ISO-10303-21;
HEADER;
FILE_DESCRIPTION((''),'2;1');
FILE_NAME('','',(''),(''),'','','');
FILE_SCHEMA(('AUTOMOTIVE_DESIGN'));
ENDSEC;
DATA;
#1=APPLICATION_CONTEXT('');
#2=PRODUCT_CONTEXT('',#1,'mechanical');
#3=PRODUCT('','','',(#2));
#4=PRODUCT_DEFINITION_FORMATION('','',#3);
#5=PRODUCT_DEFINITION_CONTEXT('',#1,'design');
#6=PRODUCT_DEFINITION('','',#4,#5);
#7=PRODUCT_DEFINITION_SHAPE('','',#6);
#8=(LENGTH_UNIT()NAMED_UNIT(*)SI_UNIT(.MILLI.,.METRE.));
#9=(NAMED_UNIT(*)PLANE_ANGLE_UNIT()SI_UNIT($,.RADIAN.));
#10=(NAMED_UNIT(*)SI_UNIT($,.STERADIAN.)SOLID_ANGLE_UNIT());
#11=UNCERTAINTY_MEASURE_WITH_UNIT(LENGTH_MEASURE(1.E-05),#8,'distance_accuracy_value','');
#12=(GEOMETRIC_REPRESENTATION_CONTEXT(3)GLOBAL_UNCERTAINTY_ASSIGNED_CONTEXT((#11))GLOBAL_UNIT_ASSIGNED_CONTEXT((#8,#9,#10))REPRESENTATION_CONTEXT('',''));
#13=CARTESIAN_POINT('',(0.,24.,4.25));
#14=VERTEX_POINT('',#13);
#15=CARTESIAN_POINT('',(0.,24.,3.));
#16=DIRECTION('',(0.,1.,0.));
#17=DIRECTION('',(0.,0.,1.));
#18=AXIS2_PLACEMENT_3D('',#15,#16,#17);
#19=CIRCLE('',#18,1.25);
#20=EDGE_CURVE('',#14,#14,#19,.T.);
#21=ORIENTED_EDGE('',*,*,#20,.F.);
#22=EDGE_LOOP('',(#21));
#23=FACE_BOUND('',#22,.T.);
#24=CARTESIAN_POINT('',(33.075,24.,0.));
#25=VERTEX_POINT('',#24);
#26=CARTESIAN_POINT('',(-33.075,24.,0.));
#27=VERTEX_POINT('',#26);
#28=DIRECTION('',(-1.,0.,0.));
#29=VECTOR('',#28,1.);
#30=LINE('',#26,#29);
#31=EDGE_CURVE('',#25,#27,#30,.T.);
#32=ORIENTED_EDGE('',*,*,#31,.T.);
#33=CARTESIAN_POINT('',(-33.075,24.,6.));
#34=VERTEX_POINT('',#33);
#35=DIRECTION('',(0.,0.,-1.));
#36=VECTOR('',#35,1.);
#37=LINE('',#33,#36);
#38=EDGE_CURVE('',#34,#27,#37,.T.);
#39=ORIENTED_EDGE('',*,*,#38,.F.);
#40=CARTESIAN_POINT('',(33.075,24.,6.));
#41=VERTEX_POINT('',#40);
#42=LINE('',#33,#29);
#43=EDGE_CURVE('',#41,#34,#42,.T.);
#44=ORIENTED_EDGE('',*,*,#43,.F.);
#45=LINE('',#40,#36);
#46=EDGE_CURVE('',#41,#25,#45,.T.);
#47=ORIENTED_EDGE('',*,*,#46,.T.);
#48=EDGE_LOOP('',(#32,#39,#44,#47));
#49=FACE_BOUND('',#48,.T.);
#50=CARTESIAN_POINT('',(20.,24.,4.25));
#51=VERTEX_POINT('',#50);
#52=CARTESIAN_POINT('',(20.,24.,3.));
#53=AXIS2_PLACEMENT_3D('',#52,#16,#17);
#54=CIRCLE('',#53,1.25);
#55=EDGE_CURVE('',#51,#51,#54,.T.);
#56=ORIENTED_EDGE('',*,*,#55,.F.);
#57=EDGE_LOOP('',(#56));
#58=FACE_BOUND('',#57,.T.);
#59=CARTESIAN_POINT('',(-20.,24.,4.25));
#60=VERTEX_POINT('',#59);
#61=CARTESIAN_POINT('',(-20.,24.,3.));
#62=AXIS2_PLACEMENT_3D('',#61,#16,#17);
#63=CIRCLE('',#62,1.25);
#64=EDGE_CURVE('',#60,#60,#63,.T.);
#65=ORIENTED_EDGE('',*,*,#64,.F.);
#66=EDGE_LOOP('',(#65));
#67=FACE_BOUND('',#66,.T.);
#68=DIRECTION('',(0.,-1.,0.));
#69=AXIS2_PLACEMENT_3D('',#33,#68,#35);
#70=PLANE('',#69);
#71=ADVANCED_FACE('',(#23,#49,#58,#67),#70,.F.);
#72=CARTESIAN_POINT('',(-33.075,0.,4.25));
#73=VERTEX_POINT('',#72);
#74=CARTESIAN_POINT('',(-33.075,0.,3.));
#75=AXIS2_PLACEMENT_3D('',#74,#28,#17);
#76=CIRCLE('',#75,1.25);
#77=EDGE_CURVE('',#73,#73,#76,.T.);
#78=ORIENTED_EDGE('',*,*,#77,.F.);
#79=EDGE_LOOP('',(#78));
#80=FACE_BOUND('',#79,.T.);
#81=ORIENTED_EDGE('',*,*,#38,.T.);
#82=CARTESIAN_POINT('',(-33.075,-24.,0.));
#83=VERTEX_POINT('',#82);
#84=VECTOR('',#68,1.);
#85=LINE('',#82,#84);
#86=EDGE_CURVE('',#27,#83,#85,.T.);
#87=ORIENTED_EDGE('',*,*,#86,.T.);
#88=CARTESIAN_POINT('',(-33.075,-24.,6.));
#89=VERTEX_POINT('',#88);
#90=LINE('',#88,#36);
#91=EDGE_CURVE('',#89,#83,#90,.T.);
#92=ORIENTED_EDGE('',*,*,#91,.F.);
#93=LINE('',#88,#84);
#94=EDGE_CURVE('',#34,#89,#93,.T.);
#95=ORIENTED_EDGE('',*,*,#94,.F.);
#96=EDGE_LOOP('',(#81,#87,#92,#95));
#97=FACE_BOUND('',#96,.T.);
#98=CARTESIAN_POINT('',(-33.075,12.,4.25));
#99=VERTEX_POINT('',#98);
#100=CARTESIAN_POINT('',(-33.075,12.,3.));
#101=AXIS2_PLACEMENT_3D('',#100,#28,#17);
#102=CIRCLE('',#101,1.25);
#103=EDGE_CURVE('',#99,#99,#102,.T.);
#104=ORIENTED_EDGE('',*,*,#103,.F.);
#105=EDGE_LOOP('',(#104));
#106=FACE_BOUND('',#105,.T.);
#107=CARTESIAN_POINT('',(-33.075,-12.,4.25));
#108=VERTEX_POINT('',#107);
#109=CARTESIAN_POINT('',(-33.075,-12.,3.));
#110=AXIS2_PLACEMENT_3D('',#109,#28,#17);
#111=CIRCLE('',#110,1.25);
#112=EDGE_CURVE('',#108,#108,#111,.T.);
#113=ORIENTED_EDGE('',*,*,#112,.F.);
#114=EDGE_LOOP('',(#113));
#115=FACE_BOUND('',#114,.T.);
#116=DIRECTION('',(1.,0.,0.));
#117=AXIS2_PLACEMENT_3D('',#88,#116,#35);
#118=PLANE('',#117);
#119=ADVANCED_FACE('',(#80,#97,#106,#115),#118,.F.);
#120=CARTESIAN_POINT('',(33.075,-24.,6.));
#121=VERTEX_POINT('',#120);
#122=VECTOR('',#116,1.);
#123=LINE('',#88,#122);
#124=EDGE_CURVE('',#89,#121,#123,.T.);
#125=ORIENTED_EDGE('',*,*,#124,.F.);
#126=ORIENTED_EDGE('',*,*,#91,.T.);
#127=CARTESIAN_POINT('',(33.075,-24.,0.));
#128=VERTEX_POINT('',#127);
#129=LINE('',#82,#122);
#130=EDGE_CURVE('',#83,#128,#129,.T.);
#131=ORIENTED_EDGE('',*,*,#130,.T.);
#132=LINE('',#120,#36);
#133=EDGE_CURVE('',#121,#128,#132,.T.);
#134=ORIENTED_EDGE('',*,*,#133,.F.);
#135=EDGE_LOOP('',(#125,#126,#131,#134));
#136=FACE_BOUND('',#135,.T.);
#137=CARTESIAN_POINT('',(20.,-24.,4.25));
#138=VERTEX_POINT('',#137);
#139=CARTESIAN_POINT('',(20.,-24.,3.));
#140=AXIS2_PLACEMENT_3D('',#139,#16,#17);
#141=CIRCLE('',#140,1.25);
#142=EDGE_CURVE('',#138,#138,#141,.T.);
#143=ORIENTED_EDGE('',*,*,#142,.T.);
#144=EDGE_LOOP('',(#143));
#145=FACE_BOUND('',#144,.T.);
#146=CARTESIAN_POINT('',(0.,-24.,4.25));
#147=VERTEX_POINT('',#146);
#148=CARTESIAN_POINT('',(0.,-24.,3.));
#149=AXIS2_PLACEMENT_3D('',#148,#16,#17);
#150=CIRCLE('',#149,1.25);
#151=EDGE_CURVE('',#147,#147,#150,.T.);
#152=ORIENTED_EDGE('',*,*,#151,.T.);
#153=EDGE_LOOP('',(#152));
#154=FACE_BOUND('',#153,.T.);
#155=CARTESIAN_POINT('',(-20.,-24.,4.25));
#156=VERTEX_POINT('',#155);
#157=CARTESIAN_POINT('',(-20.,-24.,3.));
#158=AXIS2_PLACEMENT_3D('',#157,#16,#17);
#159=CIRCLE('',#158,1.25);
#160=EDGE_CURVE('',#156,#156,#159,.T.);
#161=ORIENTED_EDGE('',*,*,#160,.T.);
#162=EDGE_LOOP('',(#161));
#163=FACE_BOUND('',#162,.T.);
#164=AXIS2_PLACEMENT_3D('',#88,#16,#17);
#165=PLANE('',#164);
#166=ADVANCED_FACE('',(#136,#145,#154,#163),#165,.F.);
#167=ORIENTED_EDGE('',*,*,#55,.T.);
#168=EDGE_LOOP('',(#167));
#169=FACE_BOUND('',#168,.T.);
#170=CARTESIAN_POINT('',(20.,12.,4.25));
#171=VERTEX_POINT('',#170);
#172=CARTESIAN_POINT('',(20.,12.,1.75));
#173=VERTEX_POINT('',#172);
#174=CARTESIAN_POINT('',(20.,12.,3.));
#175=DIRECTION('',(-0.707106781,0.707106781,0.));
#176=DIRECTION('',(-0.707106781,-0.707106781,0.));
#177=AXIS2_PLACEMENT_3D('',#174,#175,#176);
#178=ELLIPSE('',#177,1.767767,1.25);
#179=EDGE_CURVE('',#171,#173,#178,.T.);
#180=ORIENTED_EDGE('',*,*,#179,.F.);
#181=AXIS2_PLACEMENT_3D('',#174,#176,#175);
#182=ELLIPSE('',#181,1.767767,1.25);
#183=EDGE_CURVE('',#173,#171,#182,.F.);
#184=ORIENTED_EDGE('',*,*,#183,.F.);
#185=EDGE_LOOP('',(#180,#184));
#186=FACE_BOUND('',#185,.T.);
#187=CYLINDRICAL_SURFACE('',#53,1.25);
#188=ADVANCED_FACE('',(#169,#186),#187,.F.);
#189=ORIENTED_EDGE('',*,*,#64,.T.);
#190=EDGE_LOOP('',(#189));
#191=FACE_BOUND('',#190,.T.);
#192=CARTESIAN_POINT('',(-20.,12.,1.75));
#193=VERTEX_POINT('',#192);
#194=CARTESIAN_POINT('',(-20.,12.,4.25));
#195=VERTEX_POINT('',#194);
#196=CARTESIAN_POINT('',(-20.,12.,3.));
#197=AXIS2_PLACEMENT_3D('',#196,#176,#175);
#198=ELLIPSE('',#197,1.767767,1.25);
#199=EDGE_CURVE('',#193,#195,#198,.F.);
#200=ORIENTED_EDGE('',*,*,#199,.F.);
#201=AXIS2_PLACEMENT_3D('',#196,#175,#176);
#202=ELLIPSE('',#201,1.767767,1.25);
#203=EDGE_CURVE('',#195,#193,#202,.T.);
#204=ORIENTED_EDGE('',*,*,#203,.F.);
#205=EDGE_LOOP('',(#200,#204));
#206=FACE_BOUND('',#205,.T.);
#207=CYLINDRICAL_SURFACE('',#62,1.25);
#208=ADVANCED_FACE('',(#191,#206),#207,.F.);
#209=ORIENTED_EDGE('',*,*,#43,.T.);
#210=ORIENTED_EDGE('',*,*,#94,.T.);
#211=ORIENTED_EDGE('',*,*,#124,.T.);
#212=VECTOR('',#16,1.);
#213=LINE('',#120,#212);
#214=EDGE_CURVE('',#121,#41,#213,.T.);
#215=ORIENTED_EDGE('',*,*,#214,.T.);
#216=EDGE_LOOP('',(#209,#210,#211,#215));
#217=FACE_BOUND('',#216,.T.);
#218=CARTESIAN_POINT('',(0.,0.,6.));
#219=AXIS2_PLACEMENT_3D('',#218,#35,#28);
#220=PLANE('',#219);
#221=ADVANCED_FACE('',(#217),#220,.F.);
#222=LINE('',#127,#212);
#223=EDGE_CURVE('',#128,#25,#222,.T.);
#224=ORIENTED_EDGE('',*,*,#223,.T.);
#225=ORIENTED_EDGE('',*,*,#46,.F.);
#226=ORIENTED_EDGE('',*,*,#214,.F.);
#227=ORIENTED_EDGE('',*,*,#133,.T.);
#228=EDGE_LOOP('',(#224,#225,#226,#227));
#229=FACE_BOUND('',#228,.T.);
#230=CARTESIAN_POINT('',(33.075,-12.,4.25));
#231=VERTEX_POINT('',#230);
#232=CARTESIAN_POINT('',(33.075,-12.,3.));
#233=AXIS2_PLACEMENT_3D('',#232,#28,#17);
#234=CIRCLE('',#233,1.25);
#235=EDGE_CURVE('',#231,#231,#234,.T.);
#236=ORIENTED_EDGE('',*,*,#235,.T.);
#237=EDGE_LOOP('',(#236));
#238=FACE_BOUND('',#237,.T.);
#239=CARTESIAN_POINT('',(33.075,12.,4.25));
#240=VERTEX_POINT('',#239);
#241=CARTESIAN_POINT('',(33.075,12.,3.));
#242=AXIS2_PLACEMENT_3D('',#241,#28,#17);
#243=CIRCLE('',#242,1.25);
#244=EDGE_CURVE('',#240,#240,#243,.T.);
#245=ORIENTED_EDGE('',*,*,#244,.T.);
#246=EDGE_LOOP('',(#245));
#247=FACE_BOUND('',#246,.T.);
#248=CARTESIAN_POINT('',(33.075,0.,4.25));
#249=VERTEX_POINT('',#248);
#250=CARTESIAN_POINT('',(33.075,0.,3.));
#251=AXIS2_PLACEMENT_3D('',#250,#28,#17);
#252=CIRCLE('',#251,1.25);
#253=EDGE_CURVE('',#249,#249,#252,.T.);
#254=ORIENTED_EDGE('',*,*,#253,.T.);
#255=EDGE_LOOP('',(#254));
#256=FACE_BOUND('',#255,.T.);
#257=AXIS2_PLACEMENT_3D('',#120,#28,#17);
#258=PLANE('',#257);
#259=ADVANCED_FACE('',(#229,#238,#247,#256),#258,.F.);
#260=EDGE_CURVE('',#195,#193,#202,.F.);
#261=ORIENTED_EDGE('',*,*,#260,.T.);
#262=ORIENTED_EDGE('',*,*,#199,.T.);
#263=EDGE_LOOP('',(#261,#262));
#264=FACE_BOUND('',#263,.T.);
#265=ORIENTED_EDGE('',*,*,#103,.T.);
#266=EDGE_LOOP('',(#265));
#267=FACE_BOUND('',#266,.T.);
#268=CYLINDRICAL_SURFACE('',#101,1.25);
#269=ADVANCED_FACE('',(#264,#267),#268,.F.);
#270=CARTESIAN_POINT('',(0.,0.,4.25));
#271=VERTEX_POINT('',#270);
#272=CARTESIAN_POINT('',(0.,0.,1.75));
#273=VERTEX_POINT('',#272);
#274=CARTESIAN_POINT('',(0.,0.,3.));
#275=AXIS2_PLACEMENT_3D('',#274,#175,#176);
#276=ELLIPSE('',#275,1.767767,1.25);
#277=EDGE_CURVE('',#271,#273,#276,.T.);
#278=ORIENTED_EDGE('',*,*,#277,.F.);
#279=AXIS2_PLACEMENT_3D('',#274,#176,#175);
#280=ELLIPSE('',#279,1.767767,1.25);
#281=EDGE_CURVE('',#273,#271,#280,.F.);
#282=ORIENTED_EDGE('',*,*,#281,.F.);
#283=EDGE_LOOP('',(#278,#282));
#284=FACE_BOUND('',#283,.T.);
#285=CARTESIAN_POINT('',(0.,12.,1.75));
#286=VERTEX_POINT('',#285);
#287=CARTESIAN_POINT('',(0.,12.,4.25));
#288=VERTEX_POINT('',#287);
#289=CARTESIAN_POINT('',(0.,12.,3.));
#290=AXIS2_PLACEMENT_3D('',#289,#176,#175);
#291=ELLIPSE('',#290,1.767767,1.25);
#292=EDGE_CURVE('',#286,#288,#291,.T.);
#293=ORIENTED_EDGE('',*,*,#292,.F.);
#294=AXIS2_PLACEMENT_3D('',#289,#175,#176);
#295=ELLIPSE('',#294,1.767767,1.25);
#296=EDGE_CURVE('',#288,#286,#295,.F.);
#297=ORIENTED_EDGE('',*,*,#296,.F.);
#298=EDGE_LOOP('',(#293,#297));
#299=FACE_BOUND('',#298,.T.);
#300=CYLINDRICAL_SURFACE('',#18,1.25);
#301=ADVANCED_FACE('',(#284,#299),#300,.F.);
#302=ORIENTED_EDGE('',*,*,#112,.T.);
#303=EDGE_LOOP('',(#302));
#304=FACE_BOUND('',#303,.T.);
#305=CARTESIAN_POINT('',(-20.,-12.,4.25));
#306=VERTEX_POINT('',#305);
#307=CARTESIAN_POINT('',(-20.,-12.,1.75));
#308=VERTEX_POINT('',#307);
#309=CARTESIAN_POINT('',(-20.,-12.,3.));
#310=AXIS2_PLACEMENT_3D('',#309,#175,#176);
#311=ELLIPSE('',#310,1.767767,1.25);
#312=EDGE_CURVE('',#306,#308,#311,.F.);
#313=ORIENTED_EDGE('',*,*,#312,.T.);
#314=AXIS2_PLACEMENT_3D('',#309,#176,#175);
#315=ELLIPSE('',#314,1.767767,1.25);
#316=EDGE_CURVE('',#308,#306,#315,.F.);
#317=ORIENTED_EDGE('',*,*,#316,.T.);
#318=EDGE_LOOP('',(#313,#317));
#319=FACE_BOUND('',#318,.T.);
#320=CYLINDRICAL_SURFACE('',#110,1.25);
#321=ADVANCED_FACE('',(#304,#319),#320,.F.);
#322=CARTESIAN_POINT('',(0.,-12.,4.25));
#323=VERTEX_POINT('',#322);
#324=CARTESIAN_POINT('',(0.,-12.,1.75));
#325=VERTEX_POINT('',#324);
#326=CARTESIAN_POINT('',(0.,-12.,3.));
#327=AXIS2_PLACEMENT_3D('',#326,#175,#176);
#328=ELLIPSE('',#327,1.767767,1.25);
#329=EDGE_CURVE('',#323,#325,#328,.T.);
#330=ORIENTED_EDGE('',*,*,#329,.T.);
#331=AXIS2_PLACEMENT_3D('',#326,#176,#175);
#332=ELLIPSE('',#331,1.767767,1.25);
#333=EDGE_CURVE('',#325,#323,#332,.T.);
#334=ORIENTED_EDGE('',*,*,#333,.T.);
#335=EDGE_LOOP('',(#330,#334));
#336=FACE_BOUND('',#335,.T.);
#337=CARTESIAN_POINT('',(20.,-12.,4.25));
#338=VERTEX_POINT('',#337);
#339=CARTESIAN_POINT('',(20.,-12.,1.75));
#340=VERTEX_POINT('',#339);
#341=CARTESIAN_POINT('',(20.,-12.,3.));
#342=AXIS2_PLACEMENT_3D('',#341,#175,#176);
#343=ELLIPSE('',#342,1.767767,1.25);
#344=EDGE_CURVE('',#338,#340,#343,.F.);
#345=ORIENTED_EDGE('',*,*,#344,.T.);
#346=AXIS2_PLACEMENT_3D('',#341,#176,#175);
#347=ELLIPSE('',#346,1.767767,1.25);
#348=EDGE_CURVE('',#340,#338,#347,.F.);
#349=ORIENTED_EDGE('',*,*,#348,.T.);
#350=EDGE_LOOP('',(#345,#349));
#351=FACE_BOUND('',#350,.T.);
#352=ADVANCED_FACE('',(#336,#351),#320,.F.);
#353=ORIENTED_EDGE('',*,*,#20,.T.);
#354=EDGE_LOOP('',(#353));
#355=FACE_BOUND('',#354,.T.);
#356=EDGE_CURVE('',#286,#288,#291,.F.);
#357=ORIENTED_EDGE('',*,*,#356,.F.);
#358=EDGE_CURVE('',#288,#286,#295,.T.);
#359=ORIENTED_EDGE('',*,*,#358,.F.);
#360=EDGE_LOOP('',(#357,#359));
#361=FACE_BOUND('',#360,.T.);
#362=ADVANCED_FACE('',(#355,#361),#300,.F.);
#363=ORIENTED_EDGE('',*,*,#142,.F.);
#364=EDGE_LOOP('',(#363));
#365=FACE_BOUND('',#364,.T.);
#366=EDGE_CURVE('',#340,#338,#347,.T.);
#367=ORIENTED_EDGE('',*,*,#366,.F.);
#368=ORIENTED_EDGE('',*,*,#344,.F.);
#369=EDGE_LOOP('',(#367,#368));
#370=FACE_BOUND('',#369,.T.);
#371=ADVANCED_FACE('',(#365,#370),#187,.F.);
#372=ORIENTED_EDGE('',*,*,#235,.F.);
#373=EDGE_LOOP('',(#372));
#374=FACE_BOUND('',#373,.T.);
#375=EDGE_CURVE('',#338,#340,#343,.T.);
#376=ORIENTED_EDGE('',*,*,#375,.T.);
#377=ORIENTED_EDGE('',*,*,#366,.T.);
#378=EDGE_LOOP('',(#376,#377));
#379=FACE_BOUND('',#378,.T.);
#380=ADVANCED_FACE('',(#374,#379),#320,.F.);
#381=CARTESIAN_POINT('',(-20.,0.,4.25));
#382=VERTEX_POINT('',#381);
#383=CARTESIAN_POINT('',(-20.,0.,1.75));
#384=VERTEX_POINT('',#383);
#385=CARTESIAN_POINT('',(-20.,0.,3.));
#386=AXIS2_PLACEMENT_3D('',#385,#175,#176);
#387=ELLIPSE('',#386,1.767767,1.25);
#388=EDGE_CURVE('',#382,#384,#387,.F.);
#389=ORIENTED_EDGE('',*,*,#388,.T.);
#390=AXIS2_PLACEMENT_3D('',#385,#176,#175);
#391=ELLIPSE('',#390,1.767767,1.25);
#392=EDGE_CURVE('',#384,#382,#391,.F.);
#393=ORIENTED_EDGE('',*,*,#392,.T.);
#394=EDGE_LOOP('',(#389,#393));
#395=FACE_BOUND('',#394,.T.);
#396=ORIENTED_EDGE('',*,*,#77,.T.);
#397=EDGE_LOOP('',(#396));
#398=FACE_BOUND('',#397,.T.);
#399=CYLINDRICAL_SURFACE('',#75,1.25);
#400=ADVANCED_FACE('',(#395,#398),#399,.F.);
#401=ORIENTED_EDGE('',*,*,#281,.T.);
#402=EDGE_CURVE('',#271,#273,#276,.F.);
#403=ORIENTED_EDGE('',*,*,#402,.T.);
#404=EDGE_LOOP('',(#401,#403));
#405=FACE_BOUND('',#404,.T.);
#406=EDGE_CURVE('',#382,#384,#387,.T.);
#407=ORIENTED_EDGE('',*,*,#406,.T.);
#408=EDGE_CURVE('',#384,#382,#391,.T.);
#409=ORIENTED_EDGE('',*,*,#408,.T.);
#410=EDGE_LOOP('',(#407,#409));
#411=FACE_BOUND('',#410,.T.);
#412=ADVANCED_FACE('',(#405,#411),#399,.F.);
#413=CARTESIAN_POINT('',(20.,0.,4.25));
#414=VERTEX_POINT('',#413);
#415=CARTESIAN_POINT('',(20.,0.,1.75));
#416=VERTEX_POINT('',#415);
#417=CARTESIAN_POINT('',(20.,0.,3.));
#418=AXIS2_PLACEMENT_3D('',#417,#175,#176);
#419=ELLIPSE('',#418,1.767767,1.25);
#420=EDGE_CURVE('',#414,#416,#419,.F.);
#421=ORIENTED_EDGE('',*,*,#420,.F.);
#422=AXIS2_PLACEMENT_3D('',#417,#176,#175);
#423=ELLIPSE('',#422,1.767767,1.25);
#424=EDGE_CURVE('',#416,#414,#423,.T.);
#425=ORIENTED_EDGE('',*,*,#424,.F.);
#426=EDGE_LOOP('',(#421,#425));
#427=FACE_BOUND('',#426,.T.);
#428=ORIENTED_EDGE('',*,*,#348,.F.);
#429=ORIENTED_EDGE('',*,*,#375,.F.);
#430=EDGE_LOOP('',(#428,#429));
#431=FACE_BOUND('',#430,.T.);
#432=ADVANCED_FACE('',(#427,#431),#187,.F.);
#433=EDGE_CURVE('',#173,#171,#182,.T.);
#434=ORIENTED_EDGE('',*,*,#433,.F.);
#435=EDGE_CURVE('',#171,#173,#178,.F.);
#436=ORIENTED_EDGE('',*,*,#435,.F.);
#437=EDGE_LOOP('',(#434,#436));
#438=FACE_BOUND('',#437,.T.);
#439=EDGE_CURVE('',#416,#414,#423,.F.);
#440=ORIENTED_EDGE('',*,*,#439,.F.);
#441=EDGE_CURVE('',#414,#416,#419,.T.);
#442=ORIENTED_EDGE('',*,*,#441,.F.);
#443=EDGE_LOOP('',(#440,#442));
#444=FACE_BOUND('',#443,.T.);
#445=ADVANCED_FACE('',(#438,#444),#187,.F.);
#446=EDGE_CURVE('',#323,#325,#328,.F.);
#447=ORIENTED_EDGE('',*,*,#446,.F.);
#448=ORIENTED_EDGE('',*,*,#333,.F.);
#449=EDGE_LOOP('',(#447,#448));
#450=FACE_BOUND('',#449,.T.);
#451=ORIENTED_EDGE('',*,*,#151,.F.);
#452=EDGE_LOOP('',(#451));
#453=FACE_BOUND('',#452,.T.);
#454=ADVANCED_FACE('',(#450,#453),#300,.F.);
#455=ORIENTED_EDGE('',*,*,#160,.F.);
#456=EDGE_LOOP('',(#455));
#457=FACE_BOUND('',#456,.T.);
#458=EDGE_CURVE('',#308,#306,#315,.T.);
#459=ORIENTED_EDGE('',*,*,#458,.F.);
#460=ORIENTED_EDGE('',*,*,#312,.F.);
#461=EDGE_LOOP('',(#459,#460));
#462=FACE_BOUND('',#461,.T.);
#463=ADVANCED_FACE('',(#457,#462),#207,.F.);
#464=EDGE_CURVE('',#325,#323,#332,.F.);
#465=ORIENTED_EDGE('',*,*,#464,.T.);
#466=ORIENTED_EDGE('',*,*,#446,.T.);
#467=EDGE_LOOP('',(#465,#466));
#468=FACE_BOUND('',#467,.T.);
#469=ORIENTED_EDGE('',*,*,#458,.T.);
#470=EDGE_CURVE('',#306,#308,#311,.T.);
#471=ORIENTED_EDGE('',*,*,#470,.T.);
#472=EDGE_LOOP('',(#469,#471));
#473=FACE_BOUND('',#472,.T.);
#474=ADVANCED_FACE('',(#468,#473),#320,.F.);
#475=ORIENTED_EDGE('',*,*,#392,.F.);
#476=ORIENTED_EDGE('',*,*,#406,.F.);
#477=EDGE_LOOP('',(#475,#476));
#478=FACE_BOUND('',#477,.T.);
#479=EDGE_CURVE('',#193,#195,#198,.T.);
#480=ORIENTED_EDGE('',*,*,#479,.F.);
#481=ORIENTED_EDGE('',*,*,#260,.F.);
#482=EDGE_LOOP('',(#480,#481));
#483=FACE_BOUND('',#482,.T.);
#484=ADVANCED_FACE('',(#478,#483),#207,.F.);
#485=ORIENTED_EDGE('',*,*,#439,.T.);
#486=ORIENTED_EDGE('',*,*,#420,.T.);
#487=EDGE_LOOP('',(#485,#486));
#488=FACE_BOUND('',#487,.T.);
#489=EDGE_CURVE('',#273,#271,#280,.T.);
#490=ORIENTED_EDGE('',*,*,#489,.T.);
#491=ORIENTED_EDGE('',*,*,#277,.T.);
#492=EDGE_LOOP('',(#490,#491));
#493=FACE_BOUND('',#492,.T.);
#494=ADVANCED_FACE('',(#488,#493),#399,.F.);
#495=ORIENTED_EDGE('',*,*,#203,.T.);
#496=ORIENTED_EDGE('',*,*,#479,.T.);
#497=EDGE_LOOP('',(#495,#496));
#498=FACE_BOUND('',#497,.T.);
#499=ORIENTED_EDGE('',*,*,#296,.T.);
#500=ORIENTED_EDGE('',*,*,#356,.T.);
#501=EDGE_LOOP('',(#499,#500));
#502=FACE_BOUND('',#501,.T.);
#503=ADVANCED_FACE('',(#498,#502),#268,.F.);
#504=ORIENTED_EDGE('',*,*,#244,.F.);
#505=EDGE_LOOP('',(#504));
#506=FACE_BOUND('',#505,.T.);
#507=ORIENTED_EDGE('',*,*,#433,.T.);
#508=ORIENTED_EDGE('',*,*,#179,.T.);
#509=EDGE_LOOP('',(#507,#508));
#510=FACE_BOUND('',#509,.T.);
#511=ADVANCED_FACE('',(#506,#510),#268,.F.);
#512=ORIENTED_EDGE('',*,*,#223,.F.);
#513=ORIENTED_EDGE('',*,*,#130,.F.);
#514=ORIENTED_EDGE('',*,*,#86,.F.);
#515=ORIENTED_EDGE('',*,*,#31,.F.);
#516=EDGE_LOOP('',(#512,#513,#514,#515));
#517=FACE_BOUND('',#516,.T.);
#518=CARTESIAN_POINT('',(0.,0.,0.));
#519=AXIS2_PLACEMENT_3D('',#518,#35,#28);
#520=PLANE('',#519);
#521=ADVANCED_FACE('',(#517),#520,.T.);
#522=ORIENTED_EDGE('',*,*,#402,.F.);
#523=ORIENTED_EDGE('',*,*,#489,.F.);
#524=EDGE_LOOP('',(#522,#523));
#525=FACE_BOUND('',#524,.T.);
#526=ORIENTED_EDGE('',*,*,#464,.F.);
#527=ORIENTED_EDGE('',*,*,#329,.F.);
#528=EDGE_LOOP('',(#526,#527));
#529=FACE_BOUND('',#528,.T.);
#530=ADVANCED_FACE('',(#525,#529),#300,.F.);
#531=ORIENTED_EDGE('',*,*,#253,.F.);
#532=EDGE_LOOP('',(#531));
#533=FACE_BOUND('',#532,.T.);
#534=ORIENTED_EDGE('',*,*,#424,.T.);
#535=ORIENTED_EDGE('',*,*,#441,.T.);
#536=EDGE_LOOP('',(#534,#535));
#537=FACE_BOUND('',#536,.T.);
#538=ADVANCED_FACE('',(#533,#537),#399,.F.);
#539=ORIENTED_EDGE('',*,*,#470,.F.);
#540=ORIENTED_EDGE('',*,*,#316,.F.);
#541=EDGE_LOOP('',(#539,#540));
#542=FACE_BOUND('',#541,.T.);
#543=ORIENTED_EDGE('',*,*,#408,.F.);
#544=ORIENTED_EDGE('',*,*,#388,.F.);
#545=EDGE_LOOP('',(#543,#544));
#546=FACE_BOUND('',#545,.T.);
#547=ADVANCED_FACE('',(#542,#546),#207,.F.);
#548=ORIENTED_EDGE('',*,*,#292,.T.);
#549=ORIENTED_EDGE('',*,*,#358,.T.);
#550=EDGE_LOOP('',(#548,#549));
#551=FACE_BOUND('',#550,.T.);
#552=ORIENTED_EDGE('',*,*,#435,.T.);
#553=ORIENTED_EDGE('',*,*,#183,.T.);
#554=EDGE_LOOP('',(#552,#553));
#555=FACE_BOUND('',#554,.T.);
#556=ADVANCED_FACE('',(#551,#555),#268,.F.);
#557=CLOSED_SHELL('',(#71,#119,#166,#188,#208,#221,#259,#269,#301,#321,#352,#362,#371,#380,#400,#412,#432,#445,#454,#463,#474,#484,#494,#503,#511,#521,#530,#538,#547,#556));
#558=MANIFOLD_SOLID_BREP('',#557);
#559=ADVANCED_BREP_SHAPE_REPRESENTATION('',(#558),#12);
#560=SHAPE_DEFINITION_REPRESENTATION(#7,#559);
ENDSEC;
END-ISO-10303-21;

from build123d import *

# Parameters (mm, degrees)
SKETCH_1_W         = 66.15
SKETCH_1_H         = 48
EXTRUDE_1_DEPTH    = 6
HOLE_WIZARD_M3_2_D = 2.5
HOLE_WIZARD_M3_3_D = 2.5


with BuildPart() as part:
    # 草图1 → 凸台-拉伸1 (new body)
    with BuildSketch(Plane.XY):
        Rectangle(SKETCH_1_W, SKETCH_1_H)
    extrude(amount=EXTRUDE_1_DEPTH)

    # M3 螺纹孔2 (through all)
    with Locations(Plane.ZY.offset(33.075)):
        with Locations((3, 12), (3, -12), (3, 0)):
            Hole(HOLE_WIZARD_M3_2_D / 2)

    # M3 螺纹孔3 (through all)
    with Locations(Plane(origin=(0, 24, 0), x_dir=(1, 0, 0), z_dir=(0, 1, 0))):
        with Locations((0, -3), (20, -3), (-20, -3)):
            Hole(HOLE_WIZARD_M3_3_D / 2)


solid = part.part
